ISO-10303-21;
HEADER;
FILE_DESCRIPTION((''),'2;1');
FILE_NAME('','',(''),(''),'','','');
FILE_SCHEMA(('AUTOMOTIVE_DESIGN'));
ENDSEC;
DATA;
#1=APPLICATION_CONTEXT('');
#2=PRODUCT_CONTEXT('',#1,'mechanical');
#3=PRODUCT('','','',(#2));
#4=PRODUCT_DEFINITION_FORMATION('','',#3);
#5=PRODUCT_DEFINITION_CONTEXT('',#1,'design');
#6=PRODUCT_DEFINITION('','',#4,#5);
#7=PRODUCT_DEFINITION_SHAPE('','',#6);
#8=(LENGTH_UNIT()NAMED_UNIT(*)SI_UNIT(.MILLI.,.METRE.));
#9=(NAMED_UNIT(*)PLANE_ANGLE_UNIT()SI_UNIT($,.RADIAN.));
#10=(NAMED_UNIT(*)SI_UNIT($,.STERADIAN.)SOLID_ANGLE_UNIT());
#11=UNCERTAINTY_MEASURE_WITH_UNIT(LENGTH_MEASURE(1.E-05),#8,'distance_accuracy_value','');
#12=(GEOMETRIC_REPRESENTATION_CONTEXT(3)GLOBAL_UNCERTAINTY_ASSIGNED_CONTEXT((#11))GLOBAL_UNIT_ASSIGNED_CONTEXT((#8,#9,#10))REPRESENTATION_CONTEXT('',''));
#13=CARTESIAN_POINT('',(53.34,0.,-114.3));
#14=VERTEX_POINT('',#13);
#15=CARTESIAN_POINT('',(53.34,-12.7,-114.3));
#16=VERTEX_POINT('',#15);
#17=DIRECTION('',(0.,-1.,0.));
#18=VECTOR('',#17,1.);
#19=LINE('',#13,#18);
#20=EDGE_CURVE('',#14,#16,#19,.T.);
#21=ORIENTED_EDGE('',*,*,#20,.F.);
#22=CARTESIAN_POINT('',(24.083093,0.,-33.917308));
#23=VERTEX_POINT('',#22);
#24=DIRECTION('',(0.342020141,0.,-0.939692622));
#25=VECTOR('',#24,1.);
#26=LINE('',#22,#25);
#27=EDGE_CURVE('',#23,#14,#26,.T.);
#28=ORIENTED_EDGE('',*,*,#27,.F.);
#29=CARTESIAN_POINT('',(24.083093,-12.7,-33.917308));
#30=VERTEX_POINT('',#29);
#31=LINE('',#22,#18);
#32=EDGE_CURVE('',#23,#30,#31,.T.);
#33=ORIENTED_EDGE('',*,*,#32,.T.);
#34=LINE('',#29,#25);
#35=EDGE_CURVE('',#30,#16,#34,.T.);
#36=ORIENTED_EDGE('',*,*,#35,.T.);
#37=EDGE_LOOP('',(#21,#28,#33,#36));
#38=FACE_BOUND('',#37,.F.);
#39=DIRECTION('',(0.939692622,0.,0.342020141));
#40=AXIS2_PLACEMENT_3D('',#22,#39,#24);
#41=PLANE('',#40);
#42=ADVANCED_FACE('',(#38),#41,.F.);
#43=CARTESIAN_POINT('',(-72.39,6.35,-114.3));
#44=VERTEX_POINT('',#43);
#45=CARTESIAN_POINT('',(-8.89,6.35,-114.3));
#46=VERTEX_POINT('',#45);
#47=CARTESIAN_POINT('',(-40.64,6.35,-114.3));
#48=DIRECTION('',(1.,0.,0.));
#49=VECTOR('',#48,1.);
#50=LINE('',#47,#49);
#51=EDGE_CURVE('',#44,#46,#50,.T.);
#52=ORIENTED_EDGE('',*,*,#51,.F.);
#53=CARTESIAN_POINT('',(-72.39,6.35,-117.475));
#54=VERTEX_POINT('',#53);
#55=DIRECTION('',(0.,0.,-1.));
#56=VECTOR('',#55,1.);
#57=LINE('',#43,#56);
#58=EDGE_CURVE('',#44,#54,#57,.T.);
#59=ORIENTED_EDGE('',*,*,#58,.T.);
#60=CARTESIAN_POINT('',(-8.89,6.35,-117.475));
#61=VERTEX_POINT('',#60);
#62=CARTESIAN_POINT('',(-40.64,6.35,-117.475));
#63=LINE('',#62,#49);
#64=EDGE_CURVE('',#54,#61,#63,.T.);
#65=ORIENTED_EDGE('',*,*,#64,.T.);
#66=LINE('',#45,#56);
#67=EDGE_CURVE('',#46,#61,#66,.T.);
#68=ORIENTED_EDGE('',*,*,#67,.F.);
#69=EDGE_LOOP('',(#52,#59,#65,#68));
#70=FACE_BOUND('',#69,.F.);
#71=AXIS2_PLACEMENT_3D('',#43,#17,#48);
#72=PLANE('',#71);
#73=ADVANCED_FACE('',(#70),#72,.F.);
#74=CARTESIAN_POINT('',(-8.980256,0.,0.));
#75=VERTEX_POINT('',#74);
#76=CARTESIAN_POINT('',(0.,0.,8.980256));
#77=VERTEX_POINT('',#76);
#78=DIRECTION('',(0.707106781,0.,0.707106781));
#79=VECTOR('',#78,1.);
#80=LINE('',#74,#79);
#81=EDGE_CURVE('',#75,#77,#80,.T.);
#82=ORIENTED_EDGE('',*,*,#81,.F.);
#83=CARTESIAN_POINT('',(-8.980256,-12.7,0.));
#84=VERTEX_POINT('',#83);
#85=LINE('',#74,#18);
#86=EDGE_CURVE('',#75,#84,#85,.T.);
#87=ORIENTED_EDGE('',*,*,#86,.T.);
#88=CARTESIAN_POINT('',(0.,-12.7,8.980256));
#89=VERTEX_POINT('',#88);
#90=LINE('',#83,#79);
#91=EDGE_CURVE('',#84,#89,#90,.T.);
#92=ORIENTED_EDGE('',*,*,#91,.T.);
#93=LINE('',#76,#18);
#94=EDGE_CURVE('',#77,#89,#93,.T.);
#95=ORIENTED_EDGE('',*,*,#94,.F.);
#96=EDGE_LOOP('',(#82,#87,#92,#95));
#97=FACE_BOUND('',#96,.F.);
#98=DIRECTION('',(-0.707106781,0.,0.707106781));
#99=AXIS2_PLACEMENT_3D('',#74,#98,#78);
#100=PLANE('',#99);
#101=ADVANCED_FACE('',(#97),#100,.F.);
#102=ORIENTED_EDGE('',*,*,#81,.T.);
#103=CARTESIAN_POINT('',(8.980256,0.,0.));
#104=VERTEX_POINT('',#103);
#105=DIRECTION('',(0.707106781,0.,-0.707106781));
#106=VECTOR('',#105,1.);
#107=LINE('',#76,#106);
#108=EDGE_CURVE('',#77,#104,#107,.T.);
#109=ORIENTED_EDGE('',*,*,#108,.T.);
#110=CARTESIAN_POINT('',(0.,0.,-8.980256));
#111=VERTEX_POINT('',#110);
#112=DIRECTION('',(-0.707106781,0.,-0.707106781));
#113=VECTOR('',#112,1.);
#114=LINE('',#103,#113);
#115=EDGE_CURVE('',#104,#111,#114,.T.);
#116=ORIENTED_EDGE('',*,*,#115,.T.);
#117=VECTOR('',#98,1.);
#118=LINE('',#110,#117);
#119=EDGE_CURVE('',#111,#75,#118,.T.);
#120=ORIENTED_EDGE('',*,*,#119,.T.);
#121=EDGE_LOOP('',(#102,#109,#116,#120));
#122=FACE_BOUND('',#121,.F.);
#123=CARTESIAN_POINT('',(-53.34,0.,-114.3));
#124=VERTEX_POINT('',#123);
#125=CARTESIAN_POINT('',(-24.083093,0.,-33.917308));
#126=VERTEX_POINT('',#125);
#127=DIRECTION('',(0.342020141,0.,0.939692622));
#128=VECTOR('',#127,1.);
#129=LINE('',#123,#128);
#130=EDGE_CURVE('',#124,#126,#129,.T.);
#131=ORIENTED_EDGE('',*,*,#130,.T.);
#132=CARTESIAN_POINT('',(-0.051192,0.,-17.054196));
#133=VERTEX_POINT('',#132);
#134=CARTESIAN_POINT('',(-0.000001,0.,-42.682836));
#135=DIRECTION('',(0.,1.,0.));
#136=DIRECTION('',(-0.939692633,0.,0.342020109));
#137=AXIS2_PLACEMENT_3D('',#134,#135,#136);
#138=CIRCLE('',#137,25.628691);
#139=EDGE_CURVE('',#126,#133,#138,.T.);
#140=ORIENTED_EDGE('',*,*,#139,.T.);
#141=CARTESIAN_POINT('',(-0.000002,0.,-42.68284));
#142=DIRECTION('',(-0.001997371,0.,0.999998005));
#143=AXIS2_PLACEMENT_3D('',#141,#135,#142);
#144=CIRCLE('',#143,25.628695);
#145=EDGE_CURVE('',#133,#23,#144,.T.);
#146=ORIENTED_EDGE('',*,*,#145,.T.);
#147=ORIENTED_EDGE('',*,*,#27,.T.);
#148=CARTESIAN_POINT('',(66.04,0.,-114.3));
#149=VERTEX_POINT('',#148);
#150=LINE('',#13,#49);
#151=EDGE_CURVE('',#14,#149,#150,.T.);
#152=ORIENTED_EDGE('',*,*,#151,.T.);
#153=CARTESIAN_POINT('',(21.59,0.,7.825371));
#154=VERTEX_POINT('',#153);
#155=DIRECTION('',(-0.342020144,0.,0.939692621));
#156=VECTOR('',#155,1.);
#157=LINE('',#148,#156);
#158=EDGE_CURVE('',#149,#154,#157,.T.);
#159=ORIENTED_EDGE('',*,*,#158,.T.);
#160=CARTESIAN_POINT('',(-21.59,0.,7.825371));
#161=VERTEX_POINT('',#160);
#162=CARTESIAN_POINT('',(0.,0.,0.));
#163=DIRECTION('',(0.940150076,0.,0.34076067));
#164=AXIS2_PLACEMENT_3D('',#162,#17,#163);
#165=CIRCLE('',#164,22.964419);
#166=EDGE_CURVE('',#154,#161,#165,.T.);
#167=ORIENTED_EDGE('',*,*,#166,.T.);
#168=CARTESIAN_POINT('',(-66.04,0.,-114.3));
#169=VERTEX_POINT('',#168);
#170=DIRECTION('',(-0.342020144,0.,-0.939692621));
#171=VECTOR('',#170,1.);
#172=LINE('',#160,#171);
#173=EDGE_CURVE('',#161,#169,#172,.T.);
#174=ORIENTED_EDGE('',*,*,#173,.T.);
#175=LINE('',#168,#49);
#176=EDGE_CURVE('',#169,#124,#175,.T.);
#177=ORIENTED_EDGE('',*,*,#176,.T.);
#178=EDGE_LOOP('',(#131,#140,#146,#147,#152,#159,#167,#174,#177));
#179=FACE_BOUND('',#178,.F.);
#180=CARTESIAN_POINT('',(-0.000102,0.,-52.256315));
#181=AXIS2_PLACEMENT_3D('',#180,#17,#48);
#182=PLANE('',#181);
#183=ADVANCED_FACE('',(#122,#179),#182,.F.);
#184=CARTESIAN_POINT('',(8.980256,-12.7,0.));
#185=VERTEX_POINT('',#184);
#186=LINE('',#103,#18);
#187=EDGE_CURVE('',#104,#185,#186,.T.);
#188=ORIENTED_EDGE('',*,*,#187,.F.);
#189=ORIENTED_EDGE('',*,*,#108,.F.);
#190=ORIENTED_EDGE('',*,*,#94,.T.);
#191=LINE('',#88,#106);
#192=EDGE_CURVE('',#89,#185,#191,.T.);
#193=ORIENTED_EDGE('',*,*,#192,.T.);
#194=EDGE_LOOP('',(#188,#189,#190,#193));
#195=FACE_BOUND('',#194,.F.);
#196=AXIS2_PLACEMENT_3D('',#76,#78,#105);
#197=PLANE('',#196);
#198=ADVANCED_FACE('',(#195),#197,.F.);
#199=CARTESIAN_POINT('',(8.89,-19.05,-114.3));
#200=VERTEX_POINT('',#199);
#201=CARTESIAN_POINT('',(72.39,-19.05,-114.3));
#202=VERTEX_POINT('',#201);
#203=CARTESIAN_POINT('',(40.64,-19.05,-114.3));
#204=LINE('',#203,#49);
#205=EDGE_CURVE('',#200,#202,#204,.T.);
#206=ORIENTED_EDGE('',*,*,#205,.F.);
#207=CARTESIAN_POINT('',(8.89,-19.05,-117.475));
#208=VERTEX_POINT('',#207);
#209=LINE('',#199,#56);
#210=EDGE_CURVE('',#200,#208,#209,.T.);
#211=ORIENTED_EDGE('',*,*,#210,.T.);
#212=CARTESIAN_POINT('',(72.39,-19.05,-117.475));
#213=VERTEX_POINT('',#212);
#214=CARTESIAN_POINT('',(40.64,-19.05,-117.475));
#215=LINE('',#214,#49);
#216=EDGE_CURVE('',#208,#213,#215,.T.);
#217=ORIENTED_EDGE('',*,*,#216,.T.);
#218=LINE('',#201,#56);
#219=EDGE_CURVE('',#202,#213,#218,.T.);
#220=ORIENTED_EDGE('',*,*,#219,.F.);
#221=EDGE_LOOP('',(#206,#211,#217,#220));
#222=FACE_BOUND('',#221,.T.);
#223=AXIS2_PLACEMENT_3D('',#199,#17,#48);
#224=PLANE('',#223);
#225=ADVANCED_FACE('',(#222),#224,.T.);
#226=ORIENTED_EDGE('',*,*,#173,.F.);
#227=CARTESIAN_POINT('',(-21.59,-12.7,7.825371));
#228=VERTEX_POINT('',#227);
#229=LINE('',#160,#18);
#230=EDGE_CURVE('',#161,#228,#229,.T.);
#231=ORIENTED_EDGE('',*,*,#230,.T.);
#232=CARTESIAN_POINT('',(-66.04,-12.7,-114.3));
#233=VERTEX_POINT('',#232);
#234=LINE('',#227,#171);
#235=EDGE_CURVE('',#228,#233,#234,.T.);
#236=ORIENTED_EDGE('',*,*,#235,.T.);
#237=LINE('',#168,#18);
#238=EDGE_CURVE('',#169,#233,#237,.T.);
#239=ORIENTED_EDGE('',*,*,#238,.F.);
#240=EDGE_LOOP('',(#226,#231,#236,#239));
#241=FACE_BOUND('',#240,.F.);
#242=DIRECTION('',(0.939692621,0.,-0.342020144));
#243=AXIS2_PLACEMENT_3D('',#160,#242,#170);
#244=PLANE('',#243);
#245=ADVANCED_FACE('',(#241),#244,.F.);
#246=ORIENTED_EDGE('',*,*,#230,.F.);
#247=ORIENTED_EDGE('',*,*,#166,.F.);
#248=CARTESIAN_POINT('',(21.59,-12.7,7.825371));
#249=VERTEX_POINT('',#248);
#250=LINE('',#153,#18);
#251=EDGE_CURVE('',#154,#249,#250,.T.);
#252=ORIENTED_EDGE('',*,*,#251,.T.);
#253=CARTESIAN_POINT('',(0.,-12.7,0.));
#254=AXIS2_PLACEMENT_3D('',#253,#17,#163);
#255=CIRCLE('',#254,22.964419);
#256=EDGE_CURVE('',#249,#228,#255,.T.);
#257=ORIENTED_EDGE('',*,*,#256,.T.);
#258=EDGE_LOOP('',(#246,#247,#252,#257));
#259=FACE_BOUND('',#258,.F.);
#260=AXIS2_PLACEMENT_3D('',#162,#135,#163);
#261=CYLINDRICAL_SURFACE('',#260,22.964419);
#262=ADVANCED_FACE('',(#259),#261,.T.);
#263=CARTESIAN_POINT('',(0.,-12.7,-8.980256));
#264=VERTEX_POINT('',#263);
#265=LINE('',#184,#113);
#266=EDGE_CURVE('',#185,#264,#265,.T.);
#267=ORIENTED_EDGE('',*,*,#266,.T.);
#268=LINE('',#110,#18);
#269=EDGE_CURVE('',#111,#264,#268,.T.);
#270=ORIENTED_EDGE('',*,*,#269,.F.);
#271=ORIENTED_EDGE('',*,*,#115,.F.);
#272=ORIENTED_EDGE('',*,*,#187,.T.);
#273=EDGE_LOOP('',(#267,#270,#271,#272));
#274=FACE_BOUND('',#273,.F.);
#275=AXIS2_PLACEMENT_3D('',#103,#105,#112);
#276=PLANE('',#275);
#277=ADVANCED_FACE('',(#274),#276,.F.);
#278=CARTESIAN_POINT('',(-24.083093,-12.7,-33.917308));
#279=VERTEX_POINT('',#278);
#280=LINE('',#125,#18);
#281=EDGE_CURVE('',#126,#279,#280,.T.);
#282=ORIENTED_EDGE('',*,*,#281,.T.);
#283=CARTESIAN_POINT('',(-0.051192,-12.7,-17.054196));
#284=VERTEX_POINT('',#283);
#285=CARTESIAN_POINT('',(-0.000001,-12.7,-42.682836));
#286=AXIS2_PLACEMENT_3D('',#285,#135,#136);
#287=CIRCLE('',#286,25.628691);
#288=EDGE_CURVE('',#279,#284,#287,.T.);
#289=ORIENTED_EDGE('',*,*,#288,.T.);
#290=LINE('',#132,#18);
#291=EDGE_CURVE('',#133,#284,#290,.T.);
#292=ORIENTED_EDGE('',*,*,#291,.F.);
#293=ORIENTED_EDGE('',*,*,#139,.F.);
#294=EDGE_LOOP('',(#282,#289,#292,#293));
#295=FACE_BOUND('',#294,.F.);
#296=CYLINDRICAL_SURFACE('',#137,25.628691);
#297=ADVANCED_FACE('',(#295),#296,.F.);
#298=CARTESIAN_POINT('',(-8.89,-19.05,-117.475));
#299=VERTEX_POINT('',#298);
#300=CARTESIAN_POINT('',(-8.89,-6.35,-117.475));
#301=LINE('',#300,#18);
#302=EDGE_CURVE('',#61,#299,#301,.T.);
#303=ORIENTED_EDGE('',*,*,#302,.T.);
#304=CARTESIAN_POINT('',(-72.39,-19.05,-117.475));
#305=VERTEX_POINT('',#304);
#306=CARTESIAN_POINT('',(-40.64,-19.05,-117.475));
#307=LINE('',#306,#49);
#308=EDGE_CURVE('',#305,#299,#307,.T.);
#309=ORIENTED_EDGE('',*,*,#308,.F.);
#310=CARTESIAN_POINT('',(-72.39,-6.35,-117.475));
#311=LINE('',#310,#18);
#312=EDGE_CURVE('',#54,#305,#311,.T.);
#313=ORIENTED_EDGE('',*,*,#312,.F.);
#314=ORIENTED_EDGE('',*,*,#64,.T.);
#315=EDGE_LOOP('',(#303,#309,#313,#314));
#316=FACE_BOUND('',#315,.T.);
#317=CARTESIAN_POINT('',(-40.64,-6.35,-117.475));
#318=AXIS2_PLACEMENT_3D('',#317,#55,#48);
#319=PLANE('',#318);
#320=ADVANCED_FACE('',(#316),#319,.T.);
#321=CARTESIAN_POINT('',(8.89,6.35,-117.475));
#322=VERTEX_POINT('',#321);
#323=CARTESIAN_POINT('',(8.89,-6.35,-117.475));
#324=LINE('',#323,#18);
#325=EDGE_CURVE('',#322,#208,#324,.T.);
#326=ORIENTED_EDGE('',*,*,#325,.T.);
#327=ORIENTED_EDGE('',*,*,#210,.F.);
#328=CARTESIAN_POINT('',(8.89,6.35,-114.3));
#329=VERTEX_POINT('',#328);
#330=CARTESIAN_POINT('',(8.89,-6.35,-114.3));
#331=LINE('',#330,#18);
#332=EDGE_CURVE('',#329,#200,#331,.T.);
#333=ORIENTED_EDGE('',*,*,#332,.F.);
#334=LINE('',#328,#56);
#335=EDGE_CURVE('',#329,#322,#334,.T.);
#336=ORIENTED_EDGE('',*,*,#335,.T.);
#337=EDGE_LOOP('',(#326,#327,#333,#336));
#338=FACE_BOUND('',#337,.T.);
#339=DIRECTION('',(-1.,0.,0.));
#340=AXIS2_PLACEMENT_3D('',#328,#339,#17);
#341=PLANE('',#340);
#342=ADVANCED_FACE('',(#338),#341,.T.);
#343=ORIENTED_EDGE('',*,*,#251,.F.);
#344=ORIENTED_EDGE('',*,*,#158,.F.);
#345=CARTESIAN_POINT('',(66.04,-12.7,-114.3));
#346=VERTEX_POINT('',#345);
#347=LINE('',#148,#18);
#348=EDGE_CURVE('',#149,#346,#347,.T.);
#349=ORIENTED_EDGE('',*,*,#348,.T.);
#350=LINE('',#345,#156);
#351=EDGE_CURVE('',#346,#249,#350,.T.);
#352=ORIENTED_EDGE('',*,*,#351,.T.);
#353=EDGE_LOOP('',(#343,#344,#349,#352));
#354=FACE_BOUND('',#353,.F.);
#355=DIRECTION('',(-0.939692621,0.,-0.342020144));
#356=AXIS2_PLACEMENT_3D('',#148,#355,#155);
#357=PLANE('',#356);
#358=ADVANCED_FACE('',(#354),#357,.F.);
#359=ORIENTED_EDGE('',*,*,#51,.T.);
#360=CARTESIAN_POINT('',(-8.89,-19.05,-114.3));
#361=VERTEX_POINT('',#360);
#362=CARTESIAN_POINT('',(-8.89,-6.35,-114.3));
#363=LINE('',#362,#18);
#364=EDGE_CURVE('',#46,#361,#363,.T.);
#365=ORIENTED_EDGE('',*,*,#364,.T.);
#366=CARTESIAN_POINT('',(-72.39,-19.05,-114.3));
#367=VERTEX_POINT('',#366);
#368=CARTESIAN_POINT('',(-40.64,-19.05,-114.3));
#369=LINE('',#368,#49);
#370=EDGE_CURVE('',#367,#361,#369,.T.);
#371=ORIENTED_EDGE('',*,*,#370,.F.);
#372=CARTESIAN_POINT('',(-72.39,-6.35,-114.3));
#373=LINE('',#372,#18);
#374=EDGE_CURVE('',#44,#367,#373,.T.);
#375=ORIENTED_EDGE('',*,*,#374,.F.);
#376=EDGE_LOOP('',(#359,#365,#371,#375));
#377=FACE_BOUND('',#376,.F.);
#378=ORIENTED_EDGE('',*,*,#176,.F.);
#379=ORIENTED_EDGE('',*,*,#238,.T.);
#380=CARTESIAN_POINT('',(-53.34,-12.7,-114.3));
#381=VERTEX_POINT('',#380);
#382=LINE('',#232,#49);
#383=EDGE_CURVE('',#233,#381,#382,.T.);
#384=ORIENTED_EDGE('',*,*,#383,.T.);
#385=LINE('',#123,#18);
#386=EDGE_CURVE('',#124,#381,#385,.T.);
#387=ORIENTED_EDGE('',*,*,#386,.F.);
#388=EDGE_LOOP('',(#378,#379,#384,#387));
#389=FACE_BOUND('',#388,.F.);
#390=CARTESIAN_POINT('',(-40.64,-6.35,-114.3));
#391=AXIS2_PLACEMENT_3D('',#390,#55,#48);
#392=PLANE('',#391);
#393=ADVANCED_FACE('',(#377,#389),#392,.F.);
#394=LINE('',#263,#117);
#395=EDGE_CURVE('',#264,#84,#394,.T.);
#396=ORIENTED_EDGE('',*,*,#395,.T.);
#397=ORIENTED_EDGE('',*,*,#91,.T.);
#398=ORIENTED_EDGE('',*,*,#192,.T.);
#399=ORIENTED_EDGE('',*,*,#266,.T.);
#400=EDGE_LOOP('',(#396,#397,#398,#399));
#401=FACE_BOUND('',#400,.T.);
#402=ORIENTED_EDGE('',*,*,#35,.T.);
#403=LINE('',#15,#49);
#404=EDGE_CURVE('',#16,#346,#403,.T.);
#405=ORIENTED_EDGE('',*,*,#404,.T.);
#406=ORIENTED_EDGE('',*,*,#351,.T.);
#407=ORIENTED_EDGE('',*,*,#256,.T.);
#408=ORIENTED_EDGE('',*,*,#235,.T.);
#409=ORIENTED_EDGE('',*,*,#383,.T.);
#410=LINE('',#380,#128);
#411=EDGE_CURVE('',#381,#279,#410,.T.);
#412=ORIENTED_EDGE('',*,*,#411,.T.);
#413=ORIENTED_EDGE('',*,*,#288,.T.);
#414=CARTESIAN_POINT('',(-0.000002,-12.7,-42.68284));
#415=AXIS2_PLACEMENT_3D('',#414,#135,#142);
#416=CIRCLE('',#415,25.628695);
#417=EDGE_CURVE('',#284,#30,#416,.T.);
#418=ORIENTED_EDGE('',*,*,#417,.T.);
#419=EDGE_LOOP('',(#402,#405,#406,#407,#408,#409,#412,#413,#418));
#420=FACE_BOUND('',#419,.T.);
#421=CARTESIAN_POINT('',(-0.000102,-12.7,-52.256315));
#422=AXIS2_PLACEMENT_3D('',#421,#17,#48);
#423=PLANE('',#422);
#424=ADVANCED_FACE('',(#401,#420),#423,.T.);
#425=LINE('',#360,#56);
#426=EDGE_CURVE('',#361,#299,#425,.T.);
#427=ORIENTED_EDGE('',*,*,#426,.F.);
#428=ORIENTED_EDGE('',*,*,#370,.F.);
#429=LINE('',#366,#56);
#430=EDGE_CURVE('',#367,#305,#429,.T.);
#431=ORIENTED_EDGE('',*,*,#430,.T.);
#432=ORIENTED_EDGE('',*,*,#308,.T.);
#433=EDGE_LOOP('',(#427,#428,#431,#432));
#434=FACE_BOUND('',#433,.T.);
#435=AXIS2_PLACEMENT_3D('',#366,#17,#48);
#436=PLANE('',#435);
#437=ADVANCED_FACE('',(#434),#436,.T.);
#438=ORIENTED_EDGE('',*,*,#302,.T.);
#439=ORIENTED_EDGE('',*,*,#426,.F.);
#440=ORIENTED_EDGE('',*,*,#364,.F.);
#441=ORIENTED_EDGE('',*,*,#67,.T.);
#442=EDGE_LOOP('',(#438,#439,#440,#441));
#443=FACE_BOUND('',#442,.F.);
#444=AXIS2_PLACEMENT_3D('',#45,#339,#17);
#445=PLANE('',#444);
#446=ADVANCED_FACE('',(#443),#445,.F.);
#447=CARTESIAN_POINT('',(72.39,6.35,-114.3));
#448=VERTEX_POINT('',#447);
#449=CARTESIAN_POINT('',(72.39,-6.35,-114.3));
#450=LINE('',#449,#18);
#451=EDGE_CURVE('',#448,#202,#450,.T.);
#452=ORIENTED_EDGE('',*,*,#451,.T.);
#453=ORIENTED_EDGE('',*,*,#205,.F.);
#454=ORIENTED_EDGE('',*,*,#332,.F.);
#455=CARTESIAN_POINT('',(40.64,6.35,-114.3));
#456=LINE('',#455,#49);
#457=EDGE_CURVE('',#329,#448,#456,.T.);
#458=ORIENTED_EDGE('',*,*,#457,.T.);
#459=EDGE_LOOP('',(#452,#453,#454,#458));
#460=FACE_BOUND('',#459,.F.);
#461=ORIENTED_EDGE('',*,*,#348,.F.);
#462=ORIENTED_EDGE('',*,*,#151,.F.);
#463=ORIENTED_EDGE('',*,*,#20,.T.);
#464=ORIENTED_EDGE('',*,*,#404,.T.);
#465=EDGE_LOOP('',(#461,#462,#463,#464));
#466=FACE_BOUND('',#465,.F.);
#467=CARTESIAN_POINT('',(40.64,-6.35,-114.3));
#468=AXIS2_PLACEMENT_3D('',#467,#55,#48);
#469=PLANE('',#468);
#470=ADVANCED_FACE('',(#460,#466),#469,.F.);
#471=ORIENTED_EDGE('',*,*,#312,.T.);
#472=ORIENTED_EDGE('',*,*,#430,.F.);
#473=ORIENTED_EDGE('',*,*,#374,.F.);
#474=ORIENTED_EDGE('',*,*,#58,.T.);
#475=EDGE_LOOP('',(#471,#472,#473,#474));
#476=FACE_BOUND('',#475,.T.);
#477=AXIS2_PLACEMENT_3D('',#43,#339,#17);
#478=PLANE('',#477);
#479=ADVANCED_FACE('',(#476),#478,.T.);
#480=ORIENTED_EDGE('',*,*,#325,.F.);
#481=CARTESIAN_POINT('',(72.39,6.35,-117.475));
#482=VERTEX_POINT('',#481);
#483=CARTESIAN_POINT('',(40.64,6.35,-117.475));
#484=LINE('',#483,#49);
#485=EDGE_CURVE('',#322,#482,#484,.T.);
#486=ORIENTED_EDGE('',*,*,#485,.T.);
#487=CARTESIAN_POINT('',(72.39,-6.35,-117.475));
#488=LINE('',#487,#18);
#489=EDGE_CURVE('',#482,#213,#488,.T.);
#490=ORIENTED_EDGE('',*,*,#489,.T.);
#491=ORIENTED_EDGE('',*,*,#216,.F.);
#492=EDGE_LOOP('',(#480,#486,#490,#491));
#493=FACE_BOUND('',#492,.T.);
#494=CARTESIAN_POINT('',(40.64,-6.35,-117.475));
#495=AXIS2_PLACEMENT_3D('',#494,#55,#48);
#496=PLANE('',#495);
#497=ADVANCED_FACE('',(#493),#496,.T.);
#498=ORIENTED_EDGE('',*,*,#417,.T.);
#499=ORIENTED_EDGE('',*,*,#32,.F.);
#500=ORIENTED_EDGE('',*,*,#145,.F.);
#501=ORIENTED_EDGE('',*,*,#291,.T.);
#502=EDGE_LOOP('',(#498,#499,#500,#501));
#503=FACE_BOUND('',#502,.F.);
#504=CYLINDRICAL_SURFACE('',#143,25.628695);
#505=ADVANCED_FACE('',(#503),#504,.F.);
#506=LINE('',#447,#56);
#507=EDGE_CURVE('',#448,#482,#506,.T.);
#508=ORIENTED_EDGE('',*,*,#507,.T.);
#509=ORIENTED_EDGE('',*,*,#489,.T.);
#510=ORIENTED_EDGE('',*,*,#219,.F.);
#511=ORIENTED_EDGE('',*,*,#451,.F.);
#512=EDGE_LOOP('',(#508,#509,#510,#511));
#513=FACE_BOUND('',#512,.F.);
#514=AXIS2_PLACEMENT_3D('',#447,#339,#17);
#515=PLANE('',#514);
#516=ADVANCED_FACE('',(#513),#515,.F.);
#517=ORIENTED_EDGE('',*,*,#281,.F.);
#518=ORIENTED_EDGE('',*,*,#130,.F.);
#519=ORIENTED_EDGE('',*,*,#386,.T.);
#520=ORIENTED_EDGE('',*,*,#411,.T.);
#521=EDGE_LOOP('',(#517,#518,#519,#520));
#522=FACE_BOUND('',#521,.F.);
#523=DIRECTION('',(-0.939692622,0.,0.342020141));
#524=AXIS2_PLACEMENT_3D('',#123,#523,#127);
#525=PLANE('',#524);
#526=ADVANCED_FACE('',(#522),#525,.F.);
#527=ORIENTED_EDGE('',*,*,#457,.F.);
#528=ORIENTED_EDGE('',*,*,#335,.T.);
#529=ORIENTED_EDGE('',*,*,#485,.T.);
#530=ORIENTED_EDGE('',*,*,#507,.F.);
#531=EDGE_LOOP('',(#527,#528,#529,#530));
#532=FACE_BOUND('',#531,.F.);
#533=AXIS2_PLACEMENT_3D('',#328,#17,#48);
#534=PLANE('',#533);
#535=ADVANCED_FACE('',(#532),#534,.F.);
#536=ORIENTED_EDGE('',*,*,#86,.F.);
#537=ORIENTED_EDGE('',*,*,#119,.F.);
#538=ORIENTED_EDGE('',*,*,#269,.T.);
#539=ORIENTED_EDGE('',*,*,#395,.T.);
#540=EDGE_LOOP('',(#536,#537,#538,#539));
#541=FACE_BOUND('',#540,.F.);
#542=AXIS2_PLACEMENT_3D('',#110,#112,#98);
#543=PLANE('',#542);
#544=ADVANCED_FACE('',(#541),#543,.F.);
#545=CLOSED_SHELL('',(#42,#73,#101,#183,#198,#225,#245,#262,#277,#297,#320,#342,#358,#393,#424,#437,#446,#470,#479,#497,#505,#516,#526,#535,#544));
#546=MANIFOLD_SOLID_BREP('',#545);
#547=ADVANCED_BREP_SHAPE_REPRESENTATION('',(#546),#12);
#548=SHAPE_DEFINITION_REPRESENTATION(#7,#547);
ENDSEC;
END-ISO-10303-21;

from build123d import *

# Parameters (mm, degrees)
F1_DEPTH = 12.7
F2_W     = 63.5
F2_H     = 25.4
F3_DEPTH = 3.175
F4_W     = 63.5
F4_H     = 25.4
F5_DEPTH = 3.175


with BuildPart() as f1:
    # F0 (on Front) → F1 (new body)
    with BuildSketch(Plane.XZ):
        with BuildLine():
            ThreePointArc((21.59, 7.825371), (0, 22.964419), (-21.59, 7.825371))
            Line((-21.59, 7.825371), (-66.04, -114.3))
            Line((-66.04, -114.3), (-53.34, -114.3))
            Line((-53.34, -114.3), (-24.083093, -33.917308))
            ThreePointArc((-24.083093, -33.917308), (-14.720974, -21.703733), (-0.051192, -17.054196))
            ThreePointArc((-0.051192, -17.054196), (14.679039, -21.674371), (24.083093, -33.917308))
            Line((24.083093, -33.917308), (53.34, -114.3))
            Line((53.34, -114.3), (66.04, -114.3))
            Line((66.04, -114.3), (21.59, 7.825371))
        make_face()
        Polygon((0, 8.980256), (8.980256, 0), (0, -8.980256), (-8.980256, 0), align=None, mode=Mode.SUBTRACT)
    extrude(amount=F1_DEPTH)

    # F2 (on face) → F3 (join)
    with BuildSketch(Plane(origin=(0, 0, -114.3), x_dir=(1, 0, 0), z_dir=(0, 0, -1))):
        with Locations((-40.64, 6.35)):
            Rectangle(F2_W, F2_H)
    extrude(amount=F3_DEPTH)

    # F4 (on face) → F5 (join)
    with BuildSketch(Plane(origin=(0, 0, -114.3), x_dir=(1, 0, 0), z_dir=(0, 0, -1))):
        with Locations((40.64, 6.35)):
            Rectangle(F4_W, F4_H)
    extrude(amount=F5_DEPTH)


solid = f1.part
